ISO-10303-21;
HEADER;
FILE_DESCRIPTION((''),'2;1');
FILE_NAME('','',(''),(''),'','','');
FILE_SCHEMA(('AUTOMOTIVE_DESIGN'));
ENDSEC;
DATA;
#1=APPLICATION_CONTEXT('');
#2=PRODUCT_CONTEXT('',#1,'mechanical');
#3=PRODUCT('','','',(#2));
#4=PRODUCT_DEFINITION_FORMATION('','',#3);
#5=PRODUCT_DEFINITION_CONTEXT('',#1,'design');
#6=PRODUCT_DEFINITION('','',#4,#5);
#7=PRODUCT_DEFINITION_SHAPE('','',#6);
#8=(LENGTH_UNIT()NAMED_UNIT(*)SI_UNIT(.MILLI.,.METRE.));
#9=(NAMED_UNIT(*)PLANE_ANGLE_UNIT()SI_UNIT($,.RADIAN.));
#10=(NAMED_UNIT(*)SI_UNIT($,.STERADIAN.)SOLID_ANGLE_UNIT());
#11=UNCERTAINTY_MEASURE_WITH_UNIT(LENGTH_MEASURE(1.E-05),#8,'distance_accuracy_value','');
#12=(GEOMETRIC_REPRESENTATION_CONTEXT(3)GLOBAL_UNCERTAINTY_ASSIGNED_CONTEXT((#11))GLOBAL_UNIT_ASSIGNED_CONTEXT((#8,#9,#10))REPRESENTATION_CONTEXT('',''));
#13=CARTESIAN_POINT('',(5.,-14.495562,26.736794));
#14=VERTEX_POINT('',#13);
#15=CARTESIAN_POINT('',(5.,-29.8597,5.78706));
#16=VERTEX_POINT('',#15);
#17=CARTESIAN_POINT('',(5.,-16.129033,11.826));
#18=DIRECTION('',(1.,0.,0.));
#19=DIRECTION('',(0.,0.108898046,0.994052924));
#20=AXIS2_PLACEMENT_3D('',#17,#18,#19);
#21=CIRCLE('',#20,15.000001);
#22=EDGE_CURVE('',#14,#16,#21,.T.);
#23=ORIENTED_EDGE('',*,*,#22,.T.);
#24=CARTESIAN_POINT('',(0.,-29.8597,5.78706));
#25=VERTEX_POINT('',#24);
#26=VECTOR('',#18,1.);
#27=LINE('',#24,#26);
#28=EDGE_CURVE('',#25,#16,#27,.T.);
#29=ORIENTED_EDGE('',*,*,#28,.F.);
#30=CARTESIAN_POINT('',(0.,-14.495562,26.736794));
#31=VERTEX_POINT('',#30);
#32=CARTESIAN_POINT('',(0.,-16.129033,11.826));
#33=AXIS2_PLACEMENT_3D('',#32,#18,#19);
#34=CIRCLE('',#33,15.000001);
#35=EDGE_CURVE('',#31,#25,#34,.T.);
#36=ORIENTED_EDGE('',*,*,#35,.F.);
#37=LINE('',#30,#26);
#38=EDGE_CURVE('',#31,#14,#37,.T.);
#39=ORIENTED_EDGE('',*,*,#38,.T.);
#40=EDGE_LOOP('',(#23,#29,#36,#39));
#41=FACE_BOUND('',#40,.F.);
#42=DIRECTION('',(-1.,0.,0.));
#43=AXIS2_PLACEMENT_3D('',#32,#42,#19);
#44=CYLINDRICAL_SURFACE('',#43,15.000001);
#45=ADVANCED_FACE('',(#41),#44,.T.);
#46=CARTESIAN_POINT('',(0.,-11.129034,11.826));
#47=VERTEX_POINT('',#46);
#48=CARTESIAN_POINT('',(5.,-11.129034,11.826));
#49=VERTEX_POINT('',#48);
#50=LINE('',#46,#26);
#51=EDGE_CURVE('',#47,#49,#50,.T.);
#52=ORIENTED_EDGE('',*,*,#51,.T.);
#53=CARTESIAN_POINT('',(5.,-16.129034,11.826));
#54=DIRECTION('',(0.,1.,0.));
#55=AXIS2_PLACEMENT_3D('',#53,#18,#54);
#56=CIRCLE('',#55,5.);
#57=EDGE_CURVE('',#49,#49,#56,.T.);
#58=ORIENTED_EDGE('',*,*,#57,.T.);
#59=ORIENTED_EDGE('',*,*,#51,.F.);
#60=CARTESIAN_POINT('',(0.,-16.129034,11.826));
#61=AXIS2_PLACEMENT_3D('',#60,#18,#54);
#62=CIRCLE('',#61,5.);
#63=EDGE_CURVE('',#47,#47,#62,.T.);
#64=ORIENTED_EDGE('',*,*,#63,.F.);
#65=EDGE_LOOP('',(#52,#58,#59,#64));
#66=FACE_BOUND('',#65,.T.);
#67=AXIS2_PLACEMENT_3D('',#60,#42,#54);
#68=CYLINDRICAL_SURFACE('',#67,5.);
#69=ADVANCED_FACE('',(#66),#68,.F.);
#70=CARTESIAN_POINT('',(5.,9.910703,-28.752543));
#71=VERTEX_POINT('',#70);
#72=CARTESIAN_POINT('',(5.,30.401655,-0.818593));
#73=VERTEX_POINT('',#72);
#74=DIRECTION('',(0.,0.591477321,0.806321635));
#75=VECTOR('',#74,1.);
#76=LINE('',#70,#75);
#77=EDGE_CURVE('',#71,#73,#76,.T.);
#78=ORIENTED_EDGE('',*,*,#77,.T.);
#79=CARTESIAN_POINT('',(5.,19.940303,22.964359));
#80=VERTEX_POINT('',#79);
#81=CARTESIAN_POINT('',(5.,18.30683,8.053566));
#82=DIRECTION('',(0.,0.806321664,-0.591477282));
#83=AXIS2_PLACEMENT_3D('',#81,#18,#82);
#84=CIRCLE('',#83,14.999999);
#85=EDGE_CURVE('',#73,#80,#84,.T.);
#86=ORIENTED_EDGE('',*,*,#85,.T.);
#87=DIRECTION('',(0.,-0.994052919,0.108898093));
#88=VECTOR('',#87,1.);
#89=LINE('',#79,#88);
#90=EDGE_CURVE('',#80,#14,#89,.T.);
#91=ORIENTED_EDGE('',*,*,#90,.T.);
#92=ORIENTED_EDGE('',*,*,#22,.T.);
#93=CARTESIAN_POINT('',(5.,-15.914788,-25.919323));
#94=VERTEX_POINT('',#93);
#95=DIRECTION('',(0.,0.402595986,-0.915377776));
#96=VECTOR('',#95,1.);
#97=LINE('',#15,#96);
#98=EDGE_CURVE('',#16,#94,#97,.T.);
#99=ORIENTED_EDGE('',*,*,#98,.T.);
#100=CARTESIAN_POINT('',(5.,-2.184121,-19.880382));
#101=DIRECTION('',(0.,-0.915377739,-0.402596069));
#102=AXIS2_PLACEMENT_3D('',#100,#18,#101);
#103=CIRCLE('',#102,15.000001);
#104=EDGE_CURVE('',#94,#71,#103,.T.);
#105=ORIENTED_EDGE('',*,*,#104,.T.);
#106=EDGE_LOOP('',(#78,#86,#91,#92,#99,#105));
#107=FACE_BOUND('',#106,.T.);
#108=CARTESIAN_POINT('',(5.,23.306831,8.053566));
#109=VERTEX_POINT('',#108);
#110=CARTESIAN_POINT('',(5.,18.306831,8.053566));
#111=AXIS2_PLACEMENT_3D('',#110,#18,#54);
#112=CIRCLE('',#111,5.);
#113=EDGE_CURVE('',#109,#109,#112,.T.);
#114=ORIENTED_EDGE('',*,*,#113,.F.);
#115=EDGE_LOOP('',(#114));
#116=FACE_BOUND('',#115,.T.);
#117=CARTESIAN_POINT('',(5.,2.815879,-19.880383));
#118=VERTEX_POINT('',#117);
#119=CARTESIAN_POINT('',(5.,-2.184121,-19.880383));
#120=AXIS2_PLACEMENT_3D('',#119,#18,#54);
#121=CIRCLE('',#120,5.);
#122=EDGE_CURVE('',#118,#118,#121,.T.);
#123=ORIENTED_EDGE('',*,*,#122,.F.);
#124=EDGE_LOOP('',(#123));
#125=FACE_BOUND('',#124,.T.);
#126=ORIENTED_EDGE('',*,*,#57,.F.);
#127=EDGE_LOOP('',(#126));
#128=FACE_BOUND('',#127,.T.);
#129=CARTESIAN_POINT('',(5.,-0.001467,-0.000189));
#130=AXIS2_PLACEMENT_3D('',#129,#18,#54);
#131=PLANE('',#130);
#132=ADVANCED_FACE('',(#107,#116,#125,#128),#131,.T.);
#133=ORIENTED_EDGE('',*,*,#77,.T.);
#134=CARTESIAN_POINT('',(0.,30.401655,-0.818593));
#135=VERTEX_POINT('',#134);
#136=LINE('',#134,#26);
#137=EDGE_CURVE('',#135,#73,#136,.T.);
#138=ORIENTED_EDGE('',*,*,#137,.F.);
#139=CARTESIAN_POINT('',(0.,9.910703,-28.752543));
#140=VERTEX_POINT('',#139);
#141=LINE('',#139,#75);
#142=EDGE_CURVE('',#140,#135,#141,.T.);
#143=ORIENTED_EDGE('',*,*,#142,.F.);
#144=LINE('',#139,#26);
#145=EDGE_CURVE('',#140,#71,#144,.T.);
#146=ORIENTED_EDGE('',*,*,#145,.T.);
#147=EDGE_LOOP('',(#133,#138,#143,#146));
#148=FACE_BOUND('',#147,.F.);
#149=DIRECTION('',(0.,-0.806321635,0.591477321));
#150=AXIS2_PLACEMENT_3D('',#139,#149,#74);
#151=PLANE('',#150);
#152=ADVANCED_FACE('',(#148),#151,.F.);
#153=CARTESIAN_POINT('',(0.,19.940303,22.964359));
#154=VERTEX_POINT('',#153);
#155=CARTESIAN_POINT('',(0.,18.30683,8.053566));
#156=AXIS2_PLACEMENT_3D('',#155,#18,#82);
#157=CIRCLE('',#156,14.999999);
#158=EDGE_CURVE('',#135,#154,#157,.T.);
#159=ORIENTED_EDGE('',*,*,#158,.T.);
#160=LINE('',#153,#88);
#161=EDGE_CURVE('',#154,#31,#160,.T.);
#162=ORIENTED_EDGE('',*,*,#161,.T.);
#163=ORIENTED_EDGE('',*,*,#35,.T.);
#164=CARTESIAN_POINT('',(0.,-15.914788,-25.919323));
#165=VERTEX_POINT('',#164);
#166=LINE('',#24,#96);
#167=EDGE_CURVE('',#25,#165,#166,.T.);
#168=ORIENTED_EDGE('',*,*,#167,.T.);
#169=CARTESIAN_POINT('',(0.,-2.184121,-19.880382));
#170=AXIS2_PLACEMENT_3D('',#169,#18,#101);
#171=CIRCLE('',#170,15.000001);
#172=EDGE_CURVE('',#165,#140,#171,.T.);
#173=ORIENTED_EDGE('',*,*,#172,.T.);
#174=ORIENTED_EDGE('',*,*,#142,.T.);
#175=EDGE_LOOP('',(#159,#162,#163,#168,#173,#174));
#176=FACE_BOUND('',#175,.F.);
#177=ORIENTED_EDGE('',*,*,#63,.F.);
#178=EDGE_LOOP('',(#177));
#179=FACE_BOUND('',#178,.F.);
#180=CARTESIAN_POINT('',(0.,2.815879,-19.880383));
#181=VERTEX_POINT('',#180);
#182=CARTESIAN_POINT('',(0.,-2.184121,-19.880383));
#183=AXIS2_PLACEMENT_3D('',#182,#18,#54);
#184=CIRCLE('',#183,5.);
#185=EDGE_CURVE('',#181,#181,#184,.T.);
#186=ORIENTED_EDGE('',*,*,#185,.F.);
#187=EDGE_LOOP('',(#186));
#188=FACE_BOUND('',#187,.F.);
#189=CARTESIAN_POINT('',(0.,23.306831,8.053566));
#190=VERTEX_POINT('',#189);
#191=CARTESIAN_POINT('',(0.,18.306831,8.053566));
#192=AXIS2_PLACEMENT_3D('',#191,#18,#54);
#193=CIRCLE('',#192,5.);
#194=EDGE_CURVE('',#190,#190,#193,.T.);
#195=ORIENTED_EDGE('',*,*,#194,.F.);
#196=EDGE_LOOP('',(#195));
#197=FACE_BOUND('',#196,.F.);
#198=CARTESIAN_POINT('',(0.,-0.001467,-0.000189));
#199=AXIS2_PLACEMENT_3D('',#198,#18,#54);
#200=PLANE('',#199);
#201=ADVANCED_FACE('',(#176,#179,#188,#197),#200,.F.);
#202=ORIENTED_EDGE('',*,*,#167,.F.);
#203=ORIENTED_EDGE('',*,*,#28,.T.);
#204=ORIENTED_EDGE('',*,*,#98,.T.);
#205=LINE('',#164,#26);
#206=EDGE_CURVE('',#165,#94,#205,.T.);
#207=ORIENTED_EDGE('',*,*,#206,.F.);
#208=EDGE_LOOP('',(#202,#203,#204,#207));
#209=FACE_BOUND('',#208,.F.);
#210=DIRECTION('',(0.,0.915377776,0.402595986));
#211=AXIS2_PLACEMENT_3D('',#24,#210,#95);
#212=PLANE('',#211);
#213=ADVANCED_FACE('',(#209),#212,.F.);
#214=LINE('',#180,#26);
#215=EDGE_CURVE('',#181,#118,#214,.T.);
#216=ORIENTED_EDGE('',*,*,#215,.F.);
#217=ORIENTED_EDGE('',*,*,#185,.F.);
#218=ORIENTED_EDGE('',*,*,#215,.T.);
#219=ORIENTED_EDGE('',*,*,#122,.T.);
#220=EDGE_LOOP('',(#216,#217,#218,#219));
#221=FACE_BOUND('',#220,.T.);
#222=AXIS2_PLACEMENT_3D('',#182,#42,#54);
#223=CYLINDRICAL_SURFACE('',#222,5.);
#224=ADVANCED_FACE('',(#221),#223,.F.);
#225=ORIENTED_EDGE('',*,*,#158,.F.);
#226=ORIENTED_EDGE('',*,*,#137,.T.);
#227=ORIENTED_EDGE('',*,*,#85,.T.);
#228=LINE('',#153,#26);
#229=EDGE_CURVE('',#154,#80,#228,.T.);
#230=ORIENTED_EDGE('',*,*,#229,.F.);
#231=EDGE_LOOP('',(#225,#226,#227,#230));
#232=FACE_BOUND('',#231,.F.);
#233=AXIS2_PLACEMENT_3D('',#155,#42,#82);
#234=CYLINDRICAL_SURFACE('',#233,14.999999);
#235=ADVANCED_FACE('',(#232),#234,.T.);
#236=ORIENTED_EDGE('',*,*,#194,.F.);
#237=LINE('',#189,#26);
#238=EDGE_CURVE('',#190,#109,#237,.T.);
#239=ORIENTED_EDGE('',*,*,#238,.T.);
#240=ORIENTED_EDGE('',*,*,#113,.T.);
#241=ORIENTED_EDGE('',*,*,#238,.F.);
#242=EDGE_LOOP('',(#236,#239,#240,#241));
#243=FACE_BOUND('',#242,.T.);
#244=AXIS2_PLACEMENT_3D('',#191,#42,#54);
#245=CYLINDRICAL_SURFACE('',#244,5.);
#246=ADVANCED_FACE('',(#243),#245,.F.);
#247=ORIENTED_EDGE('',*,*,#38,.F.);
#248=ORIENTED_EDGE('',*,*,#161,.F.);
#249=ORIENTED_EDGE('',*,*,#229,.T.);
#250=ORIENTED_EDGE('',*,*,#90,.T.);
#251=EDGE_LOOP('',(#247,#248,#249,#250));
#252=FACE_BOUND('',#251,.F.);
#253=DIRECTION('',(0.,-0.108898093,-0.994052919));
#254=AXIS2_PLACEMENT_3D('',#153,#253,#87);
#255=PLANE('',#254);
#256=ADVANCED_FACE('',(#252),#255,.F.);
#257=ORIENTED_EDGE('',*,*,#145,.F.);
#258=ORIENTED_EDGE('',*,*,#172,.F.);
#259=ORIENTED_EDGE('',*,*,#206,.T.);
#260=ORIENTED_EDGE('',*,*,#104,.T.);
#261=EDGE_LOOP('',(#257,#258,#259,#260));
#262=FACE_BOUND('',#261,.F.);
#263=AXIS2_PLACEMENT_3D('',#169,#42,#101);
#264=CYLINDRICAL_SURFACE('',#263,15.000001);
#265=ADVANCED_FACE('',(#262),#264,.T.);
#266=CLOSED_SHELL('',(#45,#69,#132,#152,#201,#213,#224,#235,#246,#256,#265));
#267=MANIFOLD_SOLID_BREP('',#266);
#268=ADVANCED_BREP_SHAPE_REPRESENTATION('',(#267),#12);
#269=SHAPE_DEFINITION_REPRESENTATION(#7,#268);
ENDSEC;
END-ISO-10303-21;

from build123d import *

# Parameters (mm, degrees)
F0_R     = 5
F1_DEPTH = 5


with BuildPart() as f1:
    # F0 (on Right) → F1 (new body)
    with BuildSketch(Plane.YZ):
        with BuildLine():
            Line((9.910703, -28.752543), (30.401655, -0.818593))
            ThreePointArc((30.401655, -0.818593), (32.037225, 14.093123), (19.940303, 22.964359))
            Line((19.940303, 22.964359), (-14.495562, 26.736794))
            ThreePointArc((-14.495562, 26.736794), (-28.224833, 20.69683), (-29.8597, 5.78706))
            Line((-29.8597, 5.78706), (-15.914788, -25.919323))
            ThreePointArc((-15.914788, -25.919323), (-3.819902, -34.790923), (9.910703, -28.752543))
        make_face()
        with Locations((-2.184121, -19.880383)):
            Circle(F0_R, mode=Mode.SUBTRACT)
        with Locations((-16.129034, 11.826)):
            Circle(F0_R, mode=Mode.SUBTRACT)
        with Locations((18.306831, 8.053566)):
            Circle(F0_R, mode=Mode.SUBTRACT)
    extrude(amount=F1_DEPTH)


solid = f1.part
